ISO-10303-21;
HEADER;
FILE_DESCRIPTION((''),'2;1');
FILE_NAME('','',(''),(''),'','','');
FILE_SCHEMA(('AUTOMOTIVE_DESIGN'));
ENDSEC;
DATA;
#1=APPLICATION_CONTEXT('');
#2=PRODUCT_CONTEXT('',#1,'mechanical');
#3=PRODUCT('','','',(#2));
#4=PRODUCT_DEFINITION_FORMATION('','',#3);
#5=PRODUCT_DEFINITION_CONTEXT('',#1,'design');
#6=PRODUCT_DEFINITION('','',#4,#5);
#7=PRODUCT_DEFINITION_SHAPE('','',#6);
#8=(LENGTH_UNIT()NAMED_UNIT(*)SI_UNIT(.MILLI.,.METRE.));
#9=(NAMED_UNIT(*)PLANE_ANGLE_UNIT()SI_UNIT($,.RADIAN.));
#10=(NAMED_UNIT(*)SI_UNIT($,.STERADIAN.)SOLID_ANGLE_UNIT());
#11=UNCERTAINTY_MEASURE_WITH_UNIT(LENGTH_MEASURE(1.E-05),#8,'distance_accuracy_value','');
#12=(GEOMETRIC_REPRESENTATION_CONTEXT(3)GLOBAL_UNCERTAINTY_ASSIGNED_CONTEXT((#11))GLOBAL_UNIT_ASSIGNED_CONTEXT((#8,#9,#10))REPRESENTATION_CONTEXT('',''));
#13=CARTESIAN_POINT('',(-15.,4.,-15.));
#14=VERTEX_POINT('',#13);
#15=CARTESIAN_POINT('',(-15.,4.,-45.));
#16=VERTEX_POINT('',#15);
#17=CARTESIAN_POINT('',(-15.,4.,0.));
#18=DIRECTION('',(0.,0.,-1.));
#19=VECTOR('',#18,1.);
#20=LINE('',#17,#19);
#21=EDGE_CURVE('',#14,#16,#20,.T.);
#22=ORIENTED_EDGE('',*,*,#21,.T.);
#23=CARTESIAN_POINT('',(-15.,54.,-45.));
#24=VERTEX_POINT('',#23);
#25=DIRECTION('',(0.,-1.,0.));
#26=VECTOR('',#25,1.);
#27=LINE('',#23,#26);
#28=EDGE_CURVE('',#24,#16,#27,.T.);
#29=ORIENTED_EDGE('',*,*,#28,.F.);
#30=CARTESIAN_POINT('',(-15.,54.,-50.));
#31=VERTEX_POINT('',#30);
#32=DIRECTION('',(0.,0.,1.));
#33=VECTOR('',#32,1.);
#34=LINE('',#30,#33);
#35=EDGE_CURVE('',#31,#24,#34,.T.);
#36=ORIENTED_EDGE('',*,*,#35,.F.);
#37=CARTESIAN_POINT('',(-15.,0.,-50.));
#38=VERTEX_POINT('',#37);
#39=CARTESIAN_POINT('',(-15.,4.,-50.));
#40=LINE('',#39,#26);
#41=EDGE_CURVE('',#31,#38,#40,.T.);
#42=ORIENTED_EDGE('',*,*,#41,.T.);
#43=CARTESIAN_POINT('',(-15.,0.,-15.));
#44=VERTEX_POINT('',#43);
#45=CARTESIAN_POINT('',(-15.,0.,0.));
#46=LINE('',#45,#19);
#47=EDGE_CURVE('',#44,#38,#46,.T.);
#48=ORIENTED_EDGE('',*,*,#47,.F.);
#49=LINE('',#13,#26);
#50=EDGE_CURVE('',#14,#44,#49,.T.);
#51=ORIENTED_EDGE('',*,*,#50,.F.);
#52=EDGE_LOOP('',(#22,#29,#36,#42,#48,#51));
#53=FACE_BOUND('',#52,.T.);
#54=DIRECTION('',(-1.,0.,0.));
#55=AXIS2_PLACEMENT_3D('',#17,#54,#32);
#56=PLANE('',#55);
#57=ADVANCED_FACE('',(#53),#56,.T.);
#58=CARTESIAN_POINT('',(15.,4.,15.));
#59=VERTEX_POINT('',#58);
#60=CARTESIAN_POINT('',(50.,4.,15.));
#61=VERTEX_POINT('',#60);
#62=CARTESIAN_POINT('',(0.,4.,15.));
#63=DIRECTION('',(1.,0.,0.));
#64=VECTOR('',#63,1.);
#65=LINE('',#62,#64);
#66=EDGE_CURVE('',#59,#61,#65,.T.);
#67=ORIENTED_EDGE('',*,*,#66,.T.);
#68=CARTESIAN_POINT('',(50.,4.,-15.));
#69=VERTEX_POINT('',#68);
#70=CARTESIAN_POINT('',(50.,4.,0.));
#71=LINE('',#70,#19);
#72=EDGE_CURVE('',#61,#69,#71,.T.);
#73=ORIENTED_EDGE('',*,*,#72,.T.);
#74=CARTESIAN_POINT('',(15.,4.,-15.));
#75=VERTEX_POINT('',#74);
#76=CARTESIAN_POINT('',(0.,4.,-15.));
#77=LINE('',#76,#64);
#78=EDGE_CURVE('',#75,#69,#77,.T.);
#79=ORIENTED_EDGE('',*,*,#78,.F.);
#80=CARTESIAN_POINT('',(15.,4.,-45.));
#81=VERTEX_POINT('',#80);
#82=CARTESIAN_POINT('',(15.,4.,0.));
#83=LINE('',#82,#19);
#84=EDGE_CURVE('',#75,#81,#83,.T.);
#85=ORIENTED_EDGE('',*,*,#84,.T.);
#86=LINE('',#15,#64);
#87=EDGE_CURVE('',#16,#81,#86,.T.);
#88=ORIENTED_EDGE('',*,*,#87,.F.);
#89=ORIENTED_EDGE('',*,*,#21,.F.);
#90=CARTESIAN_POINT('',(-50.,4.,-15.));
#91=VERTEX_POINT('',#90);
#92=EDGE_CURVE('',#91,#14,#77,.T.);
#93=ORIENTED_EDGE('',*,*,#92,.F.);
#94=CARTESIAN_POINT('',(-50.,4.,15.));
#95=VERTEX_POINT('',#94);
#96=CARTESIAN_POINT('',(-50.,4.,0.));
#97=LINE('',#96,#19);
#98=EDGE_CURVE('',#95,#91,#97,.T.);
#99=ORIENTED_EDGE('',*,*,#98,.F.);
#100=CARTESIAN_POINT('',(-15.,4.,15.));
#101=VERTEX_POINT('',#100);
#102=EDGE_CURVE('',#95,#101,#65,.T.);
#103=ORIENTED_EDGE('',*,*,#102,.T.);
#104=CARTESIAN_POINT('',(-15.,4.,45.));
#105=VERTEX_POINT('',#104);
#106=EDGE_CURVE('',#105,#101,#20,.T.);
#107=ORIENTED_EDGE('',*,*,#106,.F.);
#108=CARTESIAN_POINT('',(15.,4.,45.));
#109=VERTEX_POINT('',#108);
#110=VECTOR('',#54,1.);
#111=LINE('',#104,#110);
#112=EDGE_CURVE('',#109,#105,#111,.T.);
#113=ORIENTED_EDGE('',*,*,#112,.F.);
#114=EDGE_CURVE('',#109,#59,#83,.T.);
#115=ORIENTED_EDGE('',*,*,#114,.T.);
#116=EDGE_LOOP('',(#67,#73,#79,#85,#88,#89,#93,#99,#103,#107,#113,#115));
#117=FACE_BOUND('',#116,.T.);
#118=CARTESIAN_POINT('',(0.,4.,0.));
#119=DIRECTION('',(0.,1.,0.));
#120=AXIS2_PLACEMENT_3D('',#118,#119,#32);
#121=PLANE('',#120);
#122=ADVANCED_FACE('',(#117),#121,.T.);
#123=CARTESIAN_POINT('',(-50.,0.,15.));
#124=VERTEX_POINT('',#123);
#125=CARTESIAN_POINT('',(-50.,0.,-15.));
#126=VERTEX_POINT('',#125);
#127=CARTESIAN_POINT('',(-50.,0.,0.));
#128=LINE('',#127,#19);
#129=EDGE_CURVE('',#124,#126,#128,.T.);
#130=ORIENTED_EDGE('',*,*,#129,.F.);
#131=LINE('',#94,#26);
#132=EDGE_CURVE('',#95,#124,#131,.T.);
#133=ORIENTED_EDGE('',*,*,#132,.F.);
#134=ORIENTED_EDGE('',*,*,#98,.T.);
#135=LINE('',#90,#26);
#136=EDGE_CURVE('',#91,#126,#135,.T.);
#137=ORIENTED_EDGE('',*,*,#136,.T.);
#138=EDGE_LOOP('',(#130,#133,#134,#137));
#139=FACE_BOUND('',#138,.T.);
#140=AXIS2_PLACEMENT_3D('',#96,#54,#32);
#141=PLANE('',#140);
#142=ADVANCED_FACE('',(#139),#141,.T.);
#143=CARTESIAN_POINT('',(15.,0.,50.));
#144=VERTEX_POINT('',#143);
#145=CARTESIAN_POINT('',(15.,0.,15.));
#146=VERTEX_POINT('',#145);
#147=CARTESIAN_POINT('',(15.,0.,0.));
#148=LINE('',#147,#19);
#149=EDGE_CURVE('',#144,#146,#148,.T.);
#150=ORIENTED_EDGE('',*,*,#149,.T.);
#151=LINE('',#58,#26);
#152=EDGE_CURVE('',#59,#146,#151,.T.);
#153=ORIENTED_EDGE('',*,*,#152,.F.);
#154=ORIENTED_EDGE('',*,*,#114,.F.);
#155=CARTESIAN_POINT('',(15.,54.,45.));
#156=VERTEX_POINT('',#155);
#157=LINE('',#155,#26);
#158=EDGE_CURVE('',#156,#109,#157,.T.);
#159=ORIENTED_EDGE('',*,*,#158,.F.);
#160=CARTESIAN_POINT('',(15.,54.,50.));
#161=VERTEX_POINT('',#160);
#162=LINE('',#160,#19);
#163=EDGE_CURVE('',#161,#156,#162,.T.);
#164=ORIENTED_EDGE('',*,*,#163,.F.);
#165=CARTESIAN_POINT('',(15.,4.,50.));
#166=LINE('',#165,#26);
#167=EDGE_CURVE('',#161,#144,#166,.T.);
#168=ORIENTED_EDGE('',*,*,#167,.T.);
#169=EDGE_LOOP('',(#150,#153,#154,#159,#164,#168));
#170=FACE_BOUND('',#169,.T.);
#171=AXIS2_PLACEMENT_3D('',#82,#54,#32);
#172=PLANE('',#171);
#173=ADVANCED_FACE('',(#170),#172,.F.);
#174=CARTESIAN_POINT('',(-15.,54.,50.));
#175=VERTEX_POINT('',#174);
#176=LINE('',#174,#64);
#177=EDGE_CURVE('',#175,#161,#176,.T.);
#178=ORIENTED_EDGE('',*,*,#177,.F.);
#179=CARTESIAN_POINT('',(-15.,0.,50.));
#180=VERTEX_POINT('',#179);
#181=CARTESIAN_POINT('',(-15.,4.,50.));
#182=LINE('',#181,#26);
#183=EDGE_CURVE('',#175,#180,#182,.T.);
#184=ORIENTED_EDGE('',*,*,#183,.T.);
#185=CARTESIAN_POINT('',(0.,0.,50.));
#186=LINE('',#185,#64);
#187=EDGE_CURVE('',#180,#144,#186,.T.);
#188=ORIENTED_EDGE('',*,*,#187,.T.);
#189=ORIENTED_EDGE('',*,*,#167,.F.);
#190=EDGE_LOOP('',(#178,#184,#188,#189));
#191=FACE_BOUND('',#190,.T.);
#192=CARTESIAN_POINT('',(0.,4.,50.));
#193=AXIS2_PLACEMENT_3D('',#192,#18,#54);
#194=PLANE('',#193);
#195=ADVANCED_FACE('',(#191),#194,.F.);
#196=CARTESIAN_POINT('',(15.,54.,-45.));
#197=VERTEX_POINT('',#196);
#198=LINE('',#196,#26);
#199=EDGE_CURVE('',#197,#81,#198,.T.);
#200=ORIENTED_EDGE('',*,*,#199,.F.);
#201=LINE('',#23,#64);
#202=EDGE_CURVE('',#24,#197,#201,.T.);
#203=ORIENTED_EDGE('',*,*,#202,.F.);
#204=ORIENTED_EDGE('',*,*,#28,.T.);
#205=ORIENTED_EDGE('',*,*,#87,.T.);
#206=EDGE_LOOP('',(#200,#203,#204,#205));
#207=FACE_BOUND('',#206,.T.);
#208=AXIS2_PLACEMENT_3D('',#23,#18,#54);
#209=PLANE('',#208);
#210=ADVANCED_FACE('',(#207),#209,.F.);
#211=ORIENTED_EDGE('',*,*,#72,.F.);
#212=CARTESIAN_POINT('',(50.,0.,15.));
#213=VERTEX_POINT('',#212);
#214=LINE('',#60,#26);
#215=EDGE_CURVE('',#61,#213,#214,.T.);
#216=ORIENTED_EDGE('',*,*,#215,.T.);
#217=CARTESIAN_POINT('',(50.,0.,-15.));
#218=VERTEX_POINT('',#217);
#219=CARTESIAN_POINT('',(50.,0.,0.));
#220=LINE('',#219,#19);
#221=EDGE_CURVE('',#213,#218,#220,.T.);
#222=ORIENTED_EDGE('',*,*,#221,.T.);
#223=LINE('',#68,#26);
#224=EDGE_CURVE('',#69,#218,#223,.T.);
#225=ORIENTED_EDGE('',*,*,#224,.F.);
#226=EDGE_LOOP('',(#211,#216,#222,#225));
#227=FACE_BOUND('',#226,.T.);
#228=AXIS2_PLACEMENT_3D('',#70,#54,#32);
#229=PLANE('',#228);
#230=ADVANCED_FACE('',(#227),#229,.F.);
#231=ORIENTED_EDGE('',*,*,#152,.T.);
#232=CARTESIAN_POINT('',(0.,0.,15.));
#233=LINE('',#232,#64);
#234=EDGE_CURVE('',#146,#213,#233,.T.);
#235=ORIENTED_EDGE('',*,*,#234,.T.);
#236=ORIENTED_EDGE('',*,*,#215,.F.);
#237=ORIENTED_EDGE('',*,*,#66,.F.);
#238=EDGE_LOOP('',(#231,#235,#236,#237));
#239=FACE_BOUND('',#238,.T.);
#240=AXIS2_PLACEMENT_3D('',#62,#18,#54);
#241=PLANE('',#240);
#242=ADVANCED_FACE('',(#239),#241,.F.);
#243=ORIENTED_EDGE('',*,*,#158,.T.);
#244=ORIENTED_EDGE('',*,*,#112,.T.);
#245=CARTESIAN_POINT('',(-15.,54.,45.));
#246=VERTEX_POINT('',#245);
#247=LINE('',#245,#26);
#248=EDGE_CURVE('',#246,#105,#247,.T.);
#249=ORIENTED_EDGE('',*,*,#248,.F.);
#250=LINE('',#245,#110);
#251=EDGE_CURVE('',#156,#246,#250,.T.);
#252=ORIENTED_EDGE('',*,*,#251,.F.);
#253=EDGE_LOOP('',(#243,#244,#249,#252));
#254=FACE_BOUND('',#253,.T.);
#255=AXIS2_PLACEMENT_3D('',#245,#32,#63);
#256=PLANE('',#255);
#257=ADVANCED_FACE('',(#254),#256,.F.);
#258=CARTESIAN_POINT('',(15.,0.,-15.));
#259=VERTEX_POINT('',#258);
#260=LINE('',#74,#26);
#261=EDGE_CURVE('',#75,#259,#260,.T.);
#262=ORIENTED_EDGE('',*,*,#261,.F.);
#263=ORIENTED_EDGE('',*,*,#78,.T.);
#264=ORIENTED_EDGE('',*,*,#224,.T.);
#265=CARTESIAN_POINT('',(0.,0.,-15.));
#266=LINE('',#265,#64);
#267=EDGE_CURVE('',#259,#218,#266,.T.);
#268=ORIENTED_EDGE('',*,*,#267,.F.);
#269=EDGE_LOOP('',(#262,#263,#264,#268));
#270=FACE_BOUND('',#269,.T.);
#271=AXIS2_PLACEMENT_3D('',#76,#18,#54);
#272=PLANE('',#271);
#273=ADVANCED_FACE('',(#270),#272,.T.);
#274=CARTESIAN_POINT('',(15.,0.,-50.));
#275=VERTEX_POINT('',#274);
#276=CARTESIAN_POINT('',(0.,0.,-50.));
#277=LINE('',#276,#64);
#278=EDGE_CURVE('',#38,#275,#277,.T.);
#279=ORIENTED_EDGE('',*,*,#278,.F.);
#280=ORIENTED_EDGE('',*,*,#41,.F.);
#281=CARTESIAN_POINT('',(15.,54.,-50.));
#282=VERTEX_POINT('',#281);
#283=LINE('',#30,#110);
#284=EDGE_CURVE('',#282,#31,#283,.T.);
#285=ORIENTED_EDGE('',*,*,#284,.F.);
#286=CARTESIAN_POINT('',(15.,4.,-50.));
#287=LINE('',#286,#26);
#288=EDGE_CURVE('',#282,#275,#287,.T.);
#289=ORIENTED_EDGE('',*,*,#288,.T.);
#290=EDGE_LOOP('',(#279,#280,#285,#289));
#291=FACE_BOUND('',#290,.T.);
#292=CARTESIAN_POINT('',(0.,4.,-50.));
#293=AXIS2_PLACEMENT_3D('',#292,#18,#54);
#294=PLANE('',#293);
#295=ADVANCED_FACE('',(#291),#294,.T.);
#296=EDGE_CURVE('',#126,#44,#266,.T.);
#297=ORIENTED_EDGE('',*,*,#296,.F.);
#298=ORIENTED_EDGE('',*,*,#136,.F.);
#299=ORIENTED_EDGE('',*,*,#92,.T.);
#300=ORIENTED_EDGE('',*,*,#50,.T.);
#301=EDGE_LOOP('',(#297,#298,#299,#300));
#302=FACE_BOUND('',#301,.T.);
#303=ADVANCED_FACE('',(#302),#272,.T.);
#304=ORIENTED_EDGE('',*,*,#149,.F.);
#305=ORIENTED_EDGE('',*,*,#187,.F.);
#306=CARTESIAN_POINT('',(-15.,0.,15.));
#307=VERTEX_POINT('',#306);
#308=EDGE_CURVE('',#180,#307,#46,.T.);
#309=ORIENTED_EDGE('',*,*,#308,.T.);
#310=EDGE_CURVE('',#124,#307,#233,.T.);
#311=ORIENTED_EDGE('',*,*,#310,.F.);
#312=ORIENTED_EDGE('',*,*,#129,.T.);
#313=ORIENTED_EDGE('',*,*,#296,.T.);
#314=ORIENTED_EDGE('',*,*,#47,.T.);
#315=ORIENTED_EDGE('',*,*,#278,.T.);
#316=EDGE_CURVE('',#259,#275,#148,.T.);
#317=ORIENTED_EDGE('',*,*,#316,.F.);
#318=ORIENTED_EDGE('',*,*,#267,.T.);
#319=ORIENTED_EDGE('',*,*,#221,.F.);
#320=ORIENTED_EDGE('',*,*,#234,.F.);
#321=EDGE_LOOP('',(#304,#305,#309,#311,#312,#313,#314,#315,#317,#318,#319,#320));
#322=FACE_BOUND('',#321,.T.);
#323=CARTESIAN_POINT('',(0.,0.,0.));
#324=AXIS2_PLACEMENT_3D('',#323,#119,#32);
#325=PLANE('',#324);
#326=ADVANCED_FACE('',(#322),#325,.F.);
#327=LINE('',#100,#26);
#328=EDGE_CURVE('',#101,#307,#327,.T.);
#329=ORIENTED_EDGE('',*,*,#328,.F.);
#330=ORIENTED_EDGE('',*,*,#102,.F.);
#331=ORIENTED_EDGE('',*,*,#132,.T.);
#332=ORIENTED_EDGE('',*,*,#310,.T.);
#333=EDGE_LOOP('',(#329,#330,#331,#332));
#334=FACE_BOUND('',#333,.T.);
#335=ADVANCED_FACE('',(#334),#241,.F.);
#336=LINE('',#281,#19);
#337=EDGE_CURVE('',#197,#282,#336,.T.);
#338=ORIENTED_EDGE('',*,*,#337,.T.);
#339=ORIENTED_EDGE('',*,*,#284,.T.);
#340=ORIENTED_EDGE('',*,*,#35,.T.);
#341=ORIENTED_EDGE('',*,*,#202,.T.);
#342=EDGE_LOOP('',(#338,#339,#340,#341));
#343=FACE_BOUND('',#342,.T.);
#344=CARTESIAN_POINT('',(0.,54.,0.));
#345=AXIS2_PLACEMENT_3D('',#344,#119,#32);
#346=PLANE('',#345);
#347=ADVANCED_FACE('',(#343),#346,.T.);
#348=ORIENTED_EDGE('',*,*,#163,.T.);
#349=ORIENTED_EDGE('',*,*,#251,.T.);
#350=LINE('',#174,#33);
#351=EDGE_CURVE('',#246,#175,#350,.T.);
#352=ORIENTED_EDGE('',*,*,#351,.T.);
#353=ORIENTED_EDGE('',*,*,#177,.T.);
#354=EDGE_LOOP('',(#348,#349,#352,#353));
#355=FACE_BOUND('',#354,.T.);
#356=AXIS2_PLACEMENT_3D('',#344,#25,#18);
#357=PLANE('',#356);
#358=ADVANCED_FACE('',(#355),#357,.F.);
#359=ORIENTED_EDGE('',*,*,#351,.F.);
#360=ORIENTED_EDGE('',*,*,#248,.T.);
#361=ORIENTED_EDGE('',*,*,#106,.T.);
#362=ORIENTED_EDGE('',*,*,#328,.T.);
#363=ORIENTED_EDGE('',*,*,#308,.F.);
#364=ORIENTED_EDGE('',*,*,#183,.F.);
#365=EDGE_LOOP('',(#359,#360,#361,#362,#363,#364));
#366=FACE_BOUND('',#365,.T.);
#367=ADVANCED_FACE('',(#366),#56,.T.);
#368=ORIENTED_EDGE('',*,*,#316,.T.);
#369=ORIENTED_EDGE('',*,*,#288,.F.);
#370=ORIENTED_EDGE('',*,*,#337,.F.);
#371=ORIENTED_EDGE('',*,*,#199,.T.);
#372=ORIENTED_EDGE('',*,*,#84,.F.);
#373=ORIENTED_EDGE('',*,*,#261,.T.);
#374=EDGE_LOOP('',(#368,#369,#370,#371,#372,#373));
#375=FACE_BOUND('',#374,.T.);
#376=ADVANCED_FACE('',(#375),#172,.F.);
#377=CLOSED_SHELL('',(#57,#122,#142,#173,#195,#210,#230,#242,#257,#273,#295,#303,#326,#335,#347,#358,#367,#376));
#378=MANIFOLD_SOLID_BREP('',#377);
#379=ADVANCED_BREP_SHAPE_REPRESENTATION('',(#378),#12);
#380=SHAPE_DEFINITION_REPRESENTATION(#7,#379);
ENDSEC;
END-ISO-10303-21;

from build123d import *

# Parameters (mm, degrees)
BOSS_EXTRUDE3_DEPTH = 4
SKETCH4_W           = 30
SKETCH4_H           = 5
BOSS_EXTRUDE4_DEPTH = 50


with BuildPart() as part:
    # Sketch3 → Boss-Extrude3 (new body)
    with BuildSketch(Plane(origin=(0, 0, 0), x_dir=(1, 0, 0), z_dir=(0, 1, 0))):
        Polygon((-15, -15), (-15, -50), (15, -50), (15, -15), (50, -15), (50, 15), (15, 15), (15, 50), (-15, 50), (-15, 15), (-50, 15), (-50, -15), align=None)
    extrude(amount=BOSS_EXTRUDE3_DEPTH)

    # Sketch4 → Boss-Extrude4 (add)
    with BuildSketch(Plane(origin=(0, 4, 0), x_dir=(1, 0, 0), z_dir=(0, 1, 0))):
        with Locations((0, -47.5)):
            Rectangle(SKETCH4_W, SKETCH4_H)
        with Locations((0, 47.5)):
            Rectangle(SKETCH4_W, SKETCH4_H)
    extrude(amount=BOSS_EXTRUDE4_DEPTH)


solid = part.part
